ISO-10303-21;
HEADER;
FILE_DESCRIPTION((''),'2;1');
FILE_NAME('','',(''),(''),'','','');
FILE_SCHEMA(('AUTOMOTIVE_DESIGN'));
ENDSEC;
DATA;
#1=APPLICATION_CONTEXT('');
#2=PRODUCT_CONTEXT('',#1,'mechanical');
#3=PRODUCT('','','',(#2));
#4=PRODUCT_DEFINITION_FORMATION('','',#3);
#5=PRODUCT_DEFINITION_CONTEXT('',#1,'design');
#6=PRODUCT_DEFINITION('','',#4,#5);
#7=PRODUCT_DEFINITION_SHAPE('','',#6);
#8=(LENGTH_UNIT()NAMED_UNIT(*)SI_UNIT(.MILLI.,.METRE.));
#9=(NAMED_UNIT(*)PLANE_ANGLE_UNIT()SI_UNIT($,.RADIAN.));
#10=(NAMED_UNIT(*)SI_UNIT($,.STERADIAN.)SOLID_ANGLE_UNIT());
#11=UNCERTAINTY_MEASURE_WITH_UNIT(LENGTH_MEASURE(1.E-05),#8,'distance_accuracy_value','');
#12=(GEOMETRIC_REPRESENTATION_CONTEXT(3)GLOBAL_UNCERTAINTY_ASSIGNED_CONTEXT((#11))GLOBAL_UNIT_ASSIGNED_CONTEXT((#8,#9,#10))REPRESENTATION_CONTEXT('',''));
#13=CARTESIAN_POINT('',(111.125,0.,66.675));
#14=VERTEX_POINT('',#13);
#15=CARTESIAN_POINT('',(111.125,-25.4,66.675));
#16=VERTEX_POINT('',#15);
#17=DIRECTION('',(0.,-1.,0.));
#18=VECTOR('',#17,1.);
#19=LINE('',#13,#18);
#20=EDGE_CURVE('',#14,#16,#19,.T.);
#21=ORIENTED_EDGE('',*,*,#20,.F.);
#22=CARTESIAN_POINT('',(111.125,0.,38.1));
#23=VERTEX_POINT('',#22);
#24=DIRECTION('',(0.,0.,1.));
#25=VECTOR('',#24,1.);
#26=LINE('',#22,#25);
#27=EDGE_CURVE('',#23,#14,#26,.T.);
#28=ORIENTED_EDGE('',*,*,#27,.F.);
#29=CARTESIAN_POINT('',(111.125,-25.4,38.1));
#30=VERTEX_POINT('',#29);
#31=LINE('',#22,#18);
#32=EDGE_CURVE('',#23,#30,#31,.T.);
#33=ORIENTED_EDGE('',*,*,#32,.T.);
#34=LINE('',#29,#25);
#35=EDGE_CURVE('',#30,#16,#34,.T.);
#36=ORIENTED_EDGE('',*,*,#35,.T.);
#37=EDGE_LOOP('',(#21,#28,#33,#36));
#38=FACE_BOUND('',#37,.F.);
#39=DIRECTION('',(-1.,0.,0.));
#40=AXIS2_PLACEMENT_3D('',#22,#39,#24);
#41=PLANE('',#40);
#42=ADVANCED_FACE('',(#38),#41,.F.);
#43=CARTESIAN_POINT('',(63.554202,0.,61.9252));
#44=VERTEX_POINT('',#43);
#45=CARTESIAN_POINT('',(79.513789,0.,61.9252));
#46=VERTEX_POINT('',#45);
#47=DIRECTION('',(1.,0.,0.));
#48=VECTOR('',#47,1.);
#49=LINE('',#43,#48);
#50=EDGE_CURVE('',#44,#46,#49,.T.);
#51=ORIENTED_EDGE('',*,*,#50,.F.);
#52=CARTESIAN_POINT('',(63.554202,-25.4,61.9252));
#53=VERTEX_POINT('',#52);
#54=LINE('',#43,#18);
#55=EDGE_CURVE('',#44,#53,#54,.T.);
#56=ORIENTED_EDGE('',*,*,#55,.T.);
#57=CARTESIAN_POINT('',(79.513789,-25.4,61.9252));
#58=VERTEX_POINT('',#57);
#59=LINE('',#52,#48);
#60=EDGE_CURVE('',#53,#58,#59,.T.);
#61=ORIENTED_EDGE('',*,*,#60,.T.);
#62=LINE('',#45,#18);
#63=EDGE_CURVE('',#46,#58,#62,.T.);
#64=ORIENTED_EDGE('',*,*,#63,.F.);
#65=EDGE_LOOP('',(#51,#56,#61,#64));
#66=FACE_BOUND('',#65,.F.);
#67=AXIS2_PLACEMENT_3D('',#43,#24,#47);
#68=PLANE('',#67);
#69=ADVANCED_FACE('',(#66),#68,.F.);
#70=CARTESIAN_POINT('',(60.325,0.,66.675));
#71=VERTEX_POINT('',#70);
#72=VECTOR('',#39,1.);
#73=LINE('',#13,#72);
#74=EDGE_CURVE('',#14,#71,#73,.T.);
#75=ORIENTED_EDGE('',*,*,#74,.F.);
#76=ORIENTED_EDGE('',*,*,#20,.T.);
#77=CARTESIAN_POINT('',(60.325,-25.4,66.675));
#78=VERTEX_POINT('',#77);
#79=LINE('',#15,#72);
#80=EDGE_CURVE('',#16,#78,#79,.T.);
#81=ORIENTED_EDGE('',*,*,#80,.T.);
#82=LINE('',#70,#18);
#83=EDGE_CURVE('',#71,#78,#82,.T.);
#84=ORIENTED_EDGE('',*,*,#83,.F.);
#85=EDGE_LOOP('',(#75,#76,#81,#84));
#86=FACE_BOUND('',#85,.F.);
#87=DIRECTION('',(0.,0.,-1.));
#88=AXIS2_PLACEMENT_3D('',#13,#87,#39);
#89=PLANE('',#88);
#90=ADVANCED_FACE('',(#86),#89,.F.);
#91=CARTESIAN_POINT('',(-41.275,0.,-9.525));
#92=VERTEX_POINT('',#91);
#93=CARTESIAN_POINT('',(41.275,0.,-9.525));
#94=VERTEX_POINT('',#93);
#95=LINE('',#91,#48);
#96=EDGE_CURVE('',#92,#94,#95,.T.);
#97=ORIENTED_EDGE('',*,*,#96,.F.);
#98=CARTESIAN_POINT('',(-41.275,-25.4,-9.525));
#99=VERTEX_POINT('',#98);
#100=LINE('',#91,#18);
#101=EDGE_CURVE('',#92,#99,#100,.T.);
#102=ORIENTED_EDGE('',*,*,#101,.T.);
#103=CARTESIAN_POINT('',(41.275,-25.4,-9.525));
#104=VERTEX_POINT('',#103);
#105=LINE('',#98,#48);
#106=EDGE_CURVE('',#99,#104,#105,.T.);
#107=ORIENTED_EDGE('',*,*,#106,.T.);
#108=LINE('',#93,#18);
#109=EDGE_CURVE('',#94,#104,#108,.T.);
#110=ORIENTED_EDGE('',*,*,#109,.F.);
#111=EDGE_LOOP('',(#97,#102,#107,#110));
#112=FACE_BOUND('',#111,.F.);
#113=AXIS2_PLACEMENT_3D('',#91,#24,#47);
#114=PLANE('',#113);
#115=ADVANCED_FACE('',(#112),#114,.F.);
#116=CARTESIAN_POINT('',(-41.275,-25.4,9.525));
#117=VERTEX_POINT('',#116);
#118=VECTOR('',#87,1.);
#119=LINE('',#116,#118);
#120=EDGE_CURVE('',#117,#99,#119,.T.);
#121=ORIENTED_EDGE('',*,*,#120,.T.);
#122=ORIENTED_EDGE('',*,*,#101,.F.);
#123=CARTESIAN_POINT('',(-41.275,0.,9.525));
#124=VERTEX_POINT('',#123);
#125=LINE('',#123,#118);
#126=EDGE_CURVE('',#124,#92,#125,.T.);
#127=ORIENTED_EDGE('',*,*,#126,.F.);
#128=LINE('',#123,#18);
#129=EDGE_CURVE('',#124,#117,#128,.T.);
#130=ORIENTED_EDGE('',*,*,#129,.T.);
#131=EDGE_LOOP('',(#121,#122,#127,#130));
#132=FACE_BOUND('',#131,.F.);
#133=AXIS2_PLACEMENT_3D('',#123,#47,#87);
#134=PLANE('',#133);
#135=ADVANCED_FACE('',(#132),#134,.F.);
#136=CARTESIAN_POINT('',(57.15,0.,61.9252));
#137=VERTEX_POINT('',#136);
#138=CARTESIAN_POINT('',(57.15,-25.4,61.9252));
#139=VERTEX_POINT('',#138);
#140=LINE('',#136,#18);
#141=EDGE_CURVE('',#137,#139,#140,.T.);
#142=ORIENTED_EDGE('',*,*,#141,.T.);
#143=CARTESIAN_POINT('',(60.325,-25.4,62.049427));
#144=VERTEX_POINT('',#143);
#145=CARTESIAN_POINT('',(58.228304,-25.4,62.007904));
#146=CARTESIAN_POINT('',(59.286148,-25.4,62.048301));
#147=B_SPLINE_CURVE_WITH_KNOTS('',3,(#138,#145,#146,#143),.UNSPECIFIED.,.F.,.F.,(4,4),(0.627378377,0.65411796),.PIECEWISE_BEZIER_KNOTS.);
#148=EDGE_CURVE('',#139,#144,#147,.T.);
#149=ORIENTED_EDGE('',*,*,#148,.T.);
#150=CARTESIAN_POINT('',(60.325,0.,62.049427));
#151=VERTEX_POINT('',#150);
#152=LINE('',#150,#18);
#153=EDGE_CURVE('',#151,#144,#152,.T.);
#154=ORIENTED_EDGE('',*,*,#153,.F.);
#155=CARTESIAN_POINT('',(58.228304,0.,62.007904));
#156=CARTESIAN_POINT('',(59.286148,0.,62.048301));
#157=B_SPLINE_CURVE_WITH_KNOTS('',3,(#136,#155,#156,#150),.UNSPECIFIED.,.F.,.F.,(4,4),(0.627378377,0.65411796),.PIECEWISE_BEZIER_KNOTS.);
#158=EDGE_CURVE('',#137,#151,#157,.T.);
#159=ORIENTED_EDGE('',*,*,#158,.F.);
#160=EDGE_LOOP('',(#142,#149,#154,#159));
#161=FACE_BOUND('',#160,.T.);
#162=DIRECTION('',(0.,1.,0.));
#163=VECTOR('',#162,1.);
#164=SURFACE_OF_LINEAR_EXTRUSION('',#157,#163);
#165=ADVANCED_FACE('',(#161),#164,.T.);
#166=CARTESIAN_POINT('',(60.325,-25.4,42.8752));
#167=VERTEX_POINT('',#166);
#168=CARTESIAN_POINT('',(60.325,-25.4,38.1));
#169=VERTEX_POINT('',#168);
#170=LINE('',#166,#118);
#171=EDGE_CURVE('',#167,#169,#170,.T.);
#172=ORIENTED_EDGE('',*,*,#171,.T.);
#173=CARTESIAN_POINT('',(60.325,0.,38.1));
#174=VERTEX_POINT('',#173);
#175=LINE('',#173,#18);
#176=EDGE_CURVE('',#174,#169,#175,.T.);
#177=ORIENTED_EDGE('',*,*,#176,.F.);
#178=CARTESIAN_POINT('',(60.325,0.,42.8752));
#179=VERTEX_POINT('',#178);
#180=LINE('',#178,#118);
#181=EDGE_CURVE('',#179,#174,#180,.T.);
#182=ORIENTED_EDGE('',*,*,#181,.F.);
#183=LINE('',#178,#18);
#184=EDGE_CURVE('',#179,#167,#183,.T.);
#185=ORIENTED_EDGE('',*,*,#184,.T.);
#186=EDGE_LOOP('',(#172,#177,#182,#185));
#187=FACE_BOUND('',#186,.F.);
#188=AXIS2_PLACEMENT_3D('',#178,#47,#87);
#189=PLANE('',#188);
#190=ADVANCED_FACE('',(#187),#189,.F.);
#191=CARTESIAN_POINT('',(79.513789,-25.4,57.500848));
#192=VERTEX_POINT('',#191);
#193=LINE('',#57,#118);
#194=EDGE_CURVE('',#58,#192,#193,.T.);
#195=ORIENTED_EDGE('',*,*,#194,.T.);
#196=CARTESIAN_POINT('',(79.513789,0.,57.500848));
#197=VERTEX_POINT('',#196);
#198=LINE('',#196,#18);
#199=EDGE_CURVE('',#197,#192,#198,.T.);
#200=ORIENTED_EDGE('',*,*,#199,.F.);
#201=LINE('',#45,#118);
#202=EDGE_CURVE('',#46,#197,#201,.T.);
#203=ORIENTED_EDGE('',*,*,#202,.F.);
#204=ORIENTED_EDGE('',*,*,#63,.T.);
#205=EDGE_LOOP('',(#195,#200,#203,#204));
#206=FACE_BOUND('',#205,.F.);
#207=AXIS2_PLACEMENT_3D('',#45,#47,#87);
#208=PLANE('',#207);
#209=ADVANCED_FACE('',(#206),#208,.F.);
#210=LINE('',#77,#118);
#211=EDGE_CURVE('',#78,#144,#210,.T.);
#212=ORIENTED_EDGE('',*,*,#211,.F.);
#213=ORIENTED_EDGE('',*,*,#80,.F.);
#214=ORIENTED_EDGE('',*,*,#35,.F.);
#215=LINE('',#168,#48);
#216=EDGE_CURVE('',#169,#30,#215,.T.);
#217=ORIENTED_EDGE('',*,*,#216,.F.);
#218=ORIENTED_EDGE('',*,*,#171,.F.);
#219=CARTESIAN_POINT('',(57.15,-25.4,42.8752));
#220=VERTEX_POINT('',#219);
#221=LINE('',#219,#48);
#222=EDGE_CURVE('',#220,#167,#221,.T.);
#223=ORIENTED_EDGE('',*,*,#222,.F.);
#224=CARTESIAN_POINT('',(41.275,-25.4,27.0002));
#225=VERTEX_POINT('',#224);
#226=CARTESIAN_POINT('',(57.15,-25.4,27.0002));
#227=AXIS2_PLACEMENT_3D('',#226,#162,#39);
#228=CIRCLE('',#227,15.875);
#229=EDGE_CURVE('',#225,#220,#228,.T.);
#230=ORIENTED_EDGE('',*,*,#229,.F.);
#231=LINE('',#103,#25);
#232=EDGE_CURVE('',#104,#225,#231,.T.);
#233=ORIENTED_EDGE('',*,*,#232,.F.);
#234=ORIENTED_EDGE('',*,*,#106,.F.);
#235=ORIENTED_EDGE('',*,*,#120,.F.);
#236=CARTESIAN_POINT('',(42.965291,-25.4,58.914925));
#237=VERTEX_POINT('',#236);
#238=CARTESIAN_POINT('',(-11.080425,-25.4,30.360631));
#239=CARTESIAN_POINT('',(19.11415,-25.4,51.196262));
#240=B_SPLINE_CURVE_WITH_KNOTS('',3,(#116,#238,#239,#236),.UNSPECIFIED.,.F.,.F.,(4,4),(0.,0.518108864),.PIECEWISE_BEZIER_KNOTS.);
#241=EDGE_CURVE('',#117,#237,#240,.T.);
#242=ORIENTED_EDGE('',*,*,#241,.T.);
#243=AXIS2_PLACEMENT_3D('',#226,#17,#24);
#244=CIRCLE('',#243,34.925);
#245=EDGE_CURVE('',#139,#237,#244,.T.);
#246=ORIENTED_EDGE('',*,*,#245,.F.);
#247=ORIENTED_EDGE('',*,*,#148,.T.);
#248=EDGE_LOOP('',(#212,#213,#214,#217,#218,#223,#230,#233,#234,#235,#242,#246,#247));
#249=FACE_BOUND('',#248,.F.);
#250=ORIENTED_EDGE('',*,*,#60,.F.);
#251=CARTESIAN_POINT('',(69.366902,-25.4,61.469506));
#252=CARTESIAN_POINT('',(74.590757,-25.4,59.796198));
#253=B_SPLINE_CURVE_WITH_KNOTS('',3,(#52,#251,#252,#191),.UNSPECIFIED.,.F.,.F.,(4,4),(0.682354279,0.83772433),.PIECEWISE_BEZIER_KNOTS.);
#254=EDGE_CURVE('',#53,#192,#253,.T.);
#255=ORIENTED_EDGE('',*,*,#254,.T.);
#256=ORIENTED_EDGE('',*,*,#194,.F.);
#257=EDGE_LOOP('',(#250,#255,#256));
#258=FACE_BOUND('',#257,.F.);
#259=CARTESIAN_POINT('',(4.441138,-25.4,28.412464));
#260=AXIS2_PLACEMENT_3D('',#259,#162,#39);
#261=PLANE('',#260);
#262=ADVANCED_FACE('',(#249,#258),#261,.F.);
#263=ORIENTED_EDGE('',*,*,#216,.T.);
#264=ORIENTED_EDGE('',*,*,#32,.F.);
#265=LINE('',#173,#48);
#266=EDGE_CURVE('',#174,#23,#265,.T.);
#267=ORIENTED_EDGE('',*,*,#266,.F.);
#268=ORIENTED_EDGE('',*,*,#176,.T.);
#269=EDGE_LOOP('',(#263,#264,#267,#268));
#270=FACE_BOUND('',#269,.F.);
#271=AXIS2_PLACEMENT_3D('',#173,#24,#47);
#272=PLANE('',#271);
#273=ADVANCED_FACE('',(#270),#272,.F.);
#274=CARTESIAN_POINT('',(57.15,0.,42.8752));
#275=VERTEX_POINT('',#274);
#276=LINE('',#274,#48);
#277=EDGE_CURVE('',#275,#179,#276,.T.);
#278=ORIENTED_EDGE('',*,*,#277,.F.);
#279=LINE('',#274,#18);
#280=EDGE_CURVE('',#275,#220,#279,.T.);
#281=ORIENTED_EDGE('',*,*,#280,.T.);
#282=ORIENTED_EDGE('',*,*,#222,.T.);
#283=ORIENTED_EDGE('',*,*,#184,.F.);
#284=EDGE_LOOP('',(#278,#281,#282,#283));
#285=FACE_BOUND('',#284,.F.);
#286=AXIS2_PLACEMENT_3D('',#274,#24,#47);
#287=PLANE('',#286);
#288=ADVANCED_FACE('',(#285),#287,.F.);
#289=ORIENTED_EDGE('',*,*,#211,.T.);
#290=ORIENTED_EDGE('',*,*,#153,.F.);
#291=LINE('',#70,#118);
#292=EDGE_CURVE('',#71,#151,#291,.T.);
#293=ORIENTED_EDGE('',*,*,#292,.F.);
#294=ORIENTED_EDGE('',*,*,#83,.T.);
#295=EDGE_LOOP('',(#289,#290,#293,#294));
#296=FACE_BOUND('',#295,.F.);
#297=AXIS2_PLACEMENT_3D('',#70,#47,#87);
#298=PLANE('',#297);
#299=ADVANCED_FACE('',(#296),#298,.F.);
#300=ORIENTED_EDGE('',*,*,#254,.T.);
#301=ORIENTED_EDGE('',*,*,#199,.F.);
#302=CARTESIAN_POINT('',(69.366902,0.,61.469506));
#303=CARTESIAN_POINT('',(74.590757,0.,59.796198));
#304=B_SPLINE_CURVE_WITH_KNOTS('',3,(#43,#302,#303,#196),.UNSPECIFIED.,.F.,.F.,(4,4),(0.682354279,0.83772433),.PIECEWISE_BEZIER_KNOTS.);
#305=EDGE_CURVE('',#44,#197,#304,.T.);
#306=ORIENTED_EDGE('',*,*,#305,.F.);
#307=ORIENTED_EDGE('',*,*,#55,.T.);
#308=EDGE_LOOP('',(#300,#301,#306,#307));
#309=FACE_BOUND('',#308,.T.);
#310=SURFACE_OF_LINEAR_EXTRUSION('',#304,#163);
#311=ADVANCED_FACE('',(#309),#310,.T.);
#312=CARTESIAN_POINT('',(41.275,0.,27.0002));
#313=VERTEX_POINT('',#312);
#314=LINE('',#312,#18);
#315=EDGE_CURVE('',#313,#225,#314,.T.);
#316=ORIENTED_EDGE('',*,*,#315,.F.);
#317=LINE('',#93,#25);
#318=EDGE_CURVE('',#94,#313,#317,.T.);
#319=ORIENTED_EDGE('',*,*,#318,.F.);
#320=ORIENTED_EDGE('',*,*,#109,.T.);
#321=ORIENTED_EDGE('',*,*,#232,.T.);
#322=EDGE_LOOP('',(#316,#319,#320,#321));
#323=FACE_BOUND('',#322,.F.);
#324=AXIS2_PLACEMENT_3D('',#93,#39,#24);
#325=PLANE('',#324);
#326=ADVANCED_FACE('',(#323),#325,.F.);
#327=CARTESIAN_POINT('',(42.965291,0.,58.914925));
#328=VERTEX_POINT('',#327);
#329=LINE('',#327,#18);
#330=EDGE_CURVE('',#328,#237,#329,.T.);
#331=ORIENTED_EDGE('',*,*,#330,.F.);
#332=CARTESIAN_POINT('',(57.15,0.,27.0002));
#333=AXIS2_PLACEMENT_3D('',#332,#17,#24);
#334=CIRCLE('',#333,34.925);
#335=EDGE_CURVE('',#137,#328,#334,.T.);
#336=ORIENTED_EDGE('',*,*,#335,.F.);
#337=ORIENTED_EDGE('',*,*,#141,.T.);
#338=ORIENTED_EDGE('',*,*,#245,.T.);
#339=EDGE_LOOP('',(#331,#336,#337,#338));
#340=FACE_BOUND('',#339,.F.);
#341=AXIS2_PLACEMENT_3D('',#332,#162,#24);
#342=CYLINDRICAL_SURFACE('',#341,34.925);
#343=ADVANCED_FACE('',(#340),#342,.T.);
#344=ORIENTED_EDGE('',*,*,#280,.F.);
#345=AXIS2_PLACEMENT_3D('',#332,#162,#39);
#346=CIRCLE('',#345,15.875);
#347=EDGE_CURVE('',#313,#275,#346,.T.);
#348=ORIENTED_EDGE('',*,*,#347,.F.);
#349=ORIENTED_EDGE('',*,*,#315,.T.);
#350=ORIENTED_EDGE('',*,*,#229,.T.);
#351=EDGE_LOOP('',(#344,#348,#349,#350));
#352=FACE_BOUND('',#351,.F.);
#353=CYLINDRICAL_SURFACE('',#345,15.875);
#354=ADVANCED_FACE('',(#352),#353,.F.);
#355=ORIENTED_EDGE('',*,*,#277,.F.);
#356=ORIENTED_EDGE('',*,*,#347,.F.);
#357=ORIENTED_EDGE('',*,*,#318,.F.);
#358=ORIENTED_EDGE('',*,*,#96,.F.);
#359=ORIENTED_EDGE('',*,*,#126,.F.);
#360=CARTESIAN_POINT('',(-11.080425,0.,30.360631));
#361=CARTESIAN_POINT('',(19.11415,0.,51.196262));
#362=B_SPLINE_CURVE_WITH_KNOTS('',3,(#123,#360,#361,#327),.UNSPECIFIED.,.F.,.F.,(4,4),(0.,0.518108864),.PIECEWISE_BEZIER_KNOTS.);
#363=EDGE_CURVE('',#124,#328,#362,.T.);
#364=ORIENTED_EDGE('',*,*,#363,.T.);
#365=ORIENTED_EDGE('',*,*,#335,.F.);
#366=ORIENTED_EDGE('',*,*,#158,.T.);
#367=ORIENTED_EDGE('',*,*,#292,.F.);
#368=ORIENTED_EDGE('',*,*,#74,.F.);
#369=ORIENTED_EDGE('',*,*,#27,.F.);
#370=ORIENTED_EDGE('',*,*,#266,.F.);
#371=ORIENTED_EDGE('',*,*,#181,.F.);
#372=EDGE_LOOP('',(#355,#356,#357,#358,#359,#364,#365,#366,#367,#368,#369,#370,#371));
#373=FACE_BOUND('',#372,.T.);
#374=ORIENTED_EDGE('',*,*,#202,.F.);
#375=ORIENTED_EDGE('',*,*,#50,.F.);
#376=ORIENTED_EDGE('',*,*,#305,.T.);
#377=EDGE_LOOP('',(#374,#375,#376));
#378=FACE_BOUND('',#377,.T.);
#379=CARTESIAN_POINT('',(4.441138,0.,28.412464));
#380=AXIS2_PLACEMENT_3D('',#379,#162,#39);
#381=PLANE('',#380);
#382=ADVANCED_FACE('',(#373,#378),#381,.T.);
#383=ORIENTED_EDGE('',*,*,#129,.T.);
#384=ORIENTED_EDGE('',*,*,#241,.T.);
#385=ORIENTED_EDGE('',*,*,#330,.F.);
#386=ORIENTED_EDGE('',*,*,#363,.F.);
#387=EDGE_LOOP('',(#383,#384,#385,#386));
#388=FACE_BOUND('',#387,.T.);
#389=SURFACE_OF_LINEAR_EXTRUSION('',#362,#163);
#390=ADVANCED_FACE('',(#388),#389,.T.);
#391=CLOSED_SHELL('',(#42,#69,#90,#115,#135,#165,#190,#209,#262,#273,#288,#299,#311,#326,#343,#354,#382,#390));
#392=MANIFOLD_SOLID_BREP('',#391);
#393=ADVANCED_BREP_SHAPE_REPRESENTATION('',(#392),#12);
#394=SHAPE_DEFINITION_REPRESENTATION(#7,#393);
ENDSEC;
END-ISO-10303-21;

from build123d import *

# Parameters (mm, degrees)
F1_DEPTH = 25.4


with BuildPart() as f1:
    # F0 (on Front) → F1 (new body)
    with BuildSketch(Plane.XZ):
        with BuildLine():
            add(Edge.make_bspline(
                [(-41.275, 9.525), (-11.0804249201, 30.3606307657), (19.1141501598, 51.1962615313), (42.965290813, 58.9149246625)],
                knots=[0, 0, 0, 0, 0.5181088639, 0.5181088639, 0.5181088639, 0.5181088639], degree=3))
            Line((-41.275, 9.525), (22.225, 9.525))
            Line((22.225, 9.525), (22.225, 27.0002))
            ThreePointArc((22.225, 27.0002), (27.86556221, 46.0311571047), (42.965290813, 58.9149246625))
        make_face()
        Polygon((22.225, 9.525), (-41.275, 9.525), (-41.275, -9.525), (41.275, -9.525), (41.275, 9.525), align=None)
        with BuildLine():
            Line((22.225, 27.0002), (22.225, 9.525))
            Line((22.225, 9.525), (41.275, 9.525))
            Line((41.275, 9.525), (41.275, 27.0002))
            ThreePointArc((41.275, 27.0002), (45.9246798487, 38.2255201513), (57.15, 42.8752))
            Line((57.15, 42.8752), (60.325, 42.8752))
            Line((60.325, 42.8752), (60.325, 61.9252))
            Line((60.325, 61.9252), (57.15, 61.9252))
            add(Edge.make_bspline(
                [(42.965290813, 58.9149246625), (47.9955126784, 60.5427959923), (52.7435843005, 61.5872364295), (57.15, 61.9252)],
                knots=[0.5181088639, 0.5181088639, 0.5181088639, 0.5181088639, 0.6273783774, 0.6273783774, 0.6273783774, 0.6273783774], degree=3))
            ThreePointArc((42.965290813, 58.9149246625), (27.86556221, 46.0311571047), (22.225, 27.0002))
        make_face()
        with BuildLine():
            ThreePointArc((57.15, 61.9252), (49.8996942767, 61.1643433658), (42.965290813, 58.9149246625))
            add(Edge.make_bspline(
                [(42.965290813, 58.9149246625), (47.9955126784, 60.5427959923), (52.7435843005, 61.5872364295), (57.15, 61.9252)],
                knots=[0.5181088639, 0.5181088639, 0.5181088639, 0.5181088639, 0.6273783774, 0.6273783774, 0.6273783774, 0.6273783774], degree=3))
        make_face()
        with BuildLine():
            add(Edge.make_bspline(
                [(57.15, 61.9252), (58.2283036755, 62.0079038085), (59.2861476071, 62.0483009137), (60.325, 62.0494272736)],
                knots=[0.6273783774, 0.6273783774, 0.6273783774, 0.6273783774, 0.6541179604, 0.6541179604, 0.6541179604, 0.6541179604], degree=3))
            Line((57.15, 61.9252), (60.325, 61.9252))
            Line((60.325, 61.9252), (60.325, 62.0494272736))
        make_face()
        with BuildLine():
            Line((63.5542024739, 61.9252), (60.325, 61.9252))
            Line((60.325, 61.9252), (60.325, 42.8752))
            Line((60.325, 42.8752), (79.5137885917, 42.8752))
            Line((79.5137885917, 42.8752), (79.5137885917, 57.5008483247))
            add(Edge.make_bspline(
                [(63.5542024739, 61.9252), (69.3669017095, 61.4695059449), (74.5907566053, 59.7961982711), (79.5137885917, 57.5008483247)],
                knots=[0.6823542793, 0.6823542793, 0.6823542793, 0.6823542793, 0.8377243298, 0.8377243298, 0.8377243298, 0.8377243298], degree=3))
        make_face()
        with BuildLine():
            Line((60.325, 62.0494272736), (60.325, 61.9252))
            Line((60.325, 61.9252), (63.5542024739, 61.9252))
            add(Edge.make_bspline(
                [(60.325, 62.0494272736), (61.4220016822, 62.050616681), (62.4978262371, 62.0080159778), (63.5542024739, 61.9252)],
                knots=[0.6541179604, 0.6541179604, 0.6541179604, 0.6541179604, 0.6823542793, 0.6823542793, 0.6823542793, 0.6823542793], degree=3))
        make_face()
        with BuildLine():
            Line((60.325, 66.675), (60.325, 62.0494272736))
            add(Edge.make_bspline(
                [(60.325, 62.0494272736), (61.4220016822, 62.050616681), (62.4978262371, 62.0080159778), (63.5542024739, 61.9252)],
                knots=[0.6541179604, 0.6541179604, 0.6541179604, 0.6541179604, 0.6823542793, 0.6823542793, 0.6823542793, 0.6823542793], degree=3))
            Line((63.5542024739, 61.9252), (79.5137885917, 61.9252))
            Line((79.5137885917, 61.9252), (79.5137885917, 57.5008483247))
            Line((79.5137885917, 57.5008483247), (79.5137885917, 42.8752))
            Line((79.5137885917, 42.8752), (60.325, 42.8752))
            Line((60.325, 42.8752), (60.325, 38.1))
            Line((60.325, 38.1), (111.125, 38.1))
            Line((111.125, 38.1), (111.125, 66.675))
            Line((111.125, 66.675), (60.325, 66.675))
        make_face()
    extrude(amount=F1_DEPTH)


solid = f1.part
